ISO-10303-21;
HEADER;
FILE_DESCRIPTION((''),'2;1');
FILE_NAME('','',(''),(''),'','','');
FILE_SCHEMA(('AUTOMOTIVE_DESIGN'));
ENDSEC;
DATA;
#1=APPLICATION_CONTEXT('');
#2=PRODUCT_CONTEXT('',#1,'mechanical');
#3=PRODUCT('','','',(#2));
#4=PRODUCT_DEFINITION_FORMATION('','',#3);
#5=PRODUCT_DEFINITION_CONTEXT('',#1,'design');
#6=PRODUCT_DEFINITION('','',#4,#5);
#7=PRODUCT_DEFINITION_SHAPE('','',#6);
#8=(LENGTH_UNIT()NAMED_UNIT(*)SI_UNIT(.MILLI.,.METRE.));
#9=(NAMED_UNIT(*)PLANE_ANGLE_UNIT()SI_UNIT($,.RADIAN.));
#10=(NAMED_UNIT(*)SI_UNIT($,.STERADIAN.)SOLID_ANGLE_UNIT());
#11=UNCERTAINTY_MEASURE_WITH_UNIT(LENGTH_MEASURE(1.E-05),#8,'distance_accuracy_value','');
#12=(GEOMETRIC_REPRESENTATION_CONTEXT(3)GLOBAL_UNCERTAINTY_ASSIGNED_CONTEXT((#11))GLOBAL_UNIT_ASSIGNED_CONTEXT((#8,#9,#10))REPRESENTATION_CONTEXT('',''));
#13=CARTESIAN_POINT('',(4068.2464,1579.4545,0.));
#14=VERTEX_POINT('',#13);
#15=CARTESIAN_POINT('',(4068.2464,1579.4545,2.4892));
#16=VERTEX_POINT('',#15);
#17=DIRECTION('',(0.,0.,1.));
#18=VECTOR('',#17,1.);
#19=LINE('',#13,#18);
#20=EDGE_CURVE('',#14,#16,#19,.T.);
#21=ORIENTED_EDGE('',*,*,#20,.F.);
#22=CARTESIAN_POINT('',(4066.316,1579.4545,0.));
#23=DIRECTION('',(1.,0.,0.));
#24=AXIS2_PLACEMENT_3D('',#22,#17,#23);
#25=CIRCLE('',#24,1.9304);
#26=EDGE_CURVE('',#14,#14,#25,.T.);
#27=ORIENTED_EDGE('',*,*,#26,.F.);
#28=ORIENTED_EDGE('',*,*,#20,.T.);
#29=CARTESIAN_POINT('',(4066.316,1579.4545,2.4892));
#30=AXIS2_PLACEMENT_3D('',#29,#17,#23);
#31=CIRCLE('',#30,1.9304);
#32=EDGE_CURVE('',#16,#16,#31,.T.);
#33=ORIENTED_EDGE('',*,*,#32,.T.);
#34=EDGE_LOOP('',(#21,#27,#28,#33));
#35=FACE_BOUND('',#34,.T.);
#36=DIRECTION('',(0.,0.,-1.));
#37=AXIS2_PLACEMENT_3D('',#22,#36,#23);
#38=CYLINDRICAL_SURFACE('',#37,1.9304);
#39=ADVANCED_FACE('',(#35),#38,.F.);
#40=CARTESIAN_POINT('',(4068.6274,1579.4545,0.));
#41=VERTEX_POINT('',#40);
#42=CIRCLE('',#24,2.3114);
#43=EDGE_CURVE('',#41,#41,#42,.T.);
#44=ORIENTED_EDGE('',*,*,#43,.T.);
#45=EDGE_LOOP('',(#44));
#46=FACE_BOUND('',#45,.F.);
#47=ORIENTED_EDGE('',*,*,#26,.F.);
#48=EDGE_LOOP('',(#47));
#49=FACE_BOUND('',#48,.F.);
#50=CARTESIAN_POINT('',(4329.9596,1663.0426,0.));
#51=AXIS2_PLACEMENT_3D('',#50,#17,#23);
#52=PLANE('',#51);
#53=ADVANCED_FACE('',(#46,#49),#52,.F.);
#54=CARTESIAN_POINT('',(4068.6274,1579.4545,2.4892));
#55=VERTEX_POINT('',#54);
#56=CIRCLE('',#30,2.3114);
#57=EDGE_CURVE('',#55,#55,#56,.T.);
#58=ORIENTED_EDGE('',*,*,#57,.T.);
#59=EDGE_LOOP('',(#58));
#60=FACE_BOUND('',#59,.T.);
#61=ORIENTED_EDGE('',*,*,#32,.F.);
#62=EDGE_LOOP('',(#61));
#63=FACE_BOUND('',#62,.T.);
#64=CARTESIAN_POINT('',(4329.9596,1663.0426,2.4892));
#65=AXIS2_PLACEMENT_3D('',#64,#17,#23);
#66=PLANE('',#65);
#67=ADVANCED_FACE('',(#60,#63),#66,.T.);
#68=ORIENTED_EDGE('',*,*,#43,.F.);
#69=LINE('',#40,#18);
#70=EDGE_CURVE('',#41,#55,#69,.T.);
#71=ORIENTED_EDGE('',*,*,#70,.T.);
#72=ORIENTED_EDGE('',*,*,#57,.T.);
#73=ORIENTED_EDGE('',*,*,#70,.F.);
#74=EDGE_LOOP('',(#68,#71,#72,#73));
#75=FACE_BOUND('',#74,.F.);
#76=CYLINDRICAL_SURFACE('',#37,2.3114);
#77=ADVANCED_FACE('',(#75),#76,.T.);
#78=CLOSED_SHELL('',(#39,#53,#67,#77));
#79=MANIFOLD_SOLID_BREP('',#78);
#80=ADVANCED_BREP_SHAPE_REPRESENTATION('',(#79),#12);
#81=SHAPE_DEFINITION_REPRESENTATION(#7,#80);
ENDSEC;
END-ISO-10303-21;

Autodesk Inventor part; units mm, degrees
ref_plane "YZ Plane" through (0, 0, 0) normal (1, 0, 0) x (0, 1, 0)
ref_plane "XZ Plane" through (0, 0, 0) normal (0, 1, 0) x (-1, 0, 0)
ref_plane "XY Plane" through (0, 0, 0) normal (0, 0, 1) x (1, 0, 0)
ref_plane "Work Plane1" through (4329.9596, 1663.0426, 0) normal (0, 0, 1) x (1, 0, 0)
sketch "Sketch1" plane through (4329.9596, 1663.0426, 0) normal (0, 0, 1) x (1, 0, 0)
  arc A0 (-261.7645, -84.273) -> (-262.7946, -85.3989) centre (-263.6436, -83.5881) ccw construction
  circle A1 centre (-263.6436, -83.5881) radius 1.9304
  circle A2 centre (-263.6436, -83.5881) radius 2.3114
  point P0 (-4329.9596, -1663.0426)
  dimension "d0" = 3.8608
  dimension "d1" = 4.6228
extrude "Extrusion1" add sketch "Sketch1" along normal blind 2.4892
properties part number "spacer for top of drivetrain"
